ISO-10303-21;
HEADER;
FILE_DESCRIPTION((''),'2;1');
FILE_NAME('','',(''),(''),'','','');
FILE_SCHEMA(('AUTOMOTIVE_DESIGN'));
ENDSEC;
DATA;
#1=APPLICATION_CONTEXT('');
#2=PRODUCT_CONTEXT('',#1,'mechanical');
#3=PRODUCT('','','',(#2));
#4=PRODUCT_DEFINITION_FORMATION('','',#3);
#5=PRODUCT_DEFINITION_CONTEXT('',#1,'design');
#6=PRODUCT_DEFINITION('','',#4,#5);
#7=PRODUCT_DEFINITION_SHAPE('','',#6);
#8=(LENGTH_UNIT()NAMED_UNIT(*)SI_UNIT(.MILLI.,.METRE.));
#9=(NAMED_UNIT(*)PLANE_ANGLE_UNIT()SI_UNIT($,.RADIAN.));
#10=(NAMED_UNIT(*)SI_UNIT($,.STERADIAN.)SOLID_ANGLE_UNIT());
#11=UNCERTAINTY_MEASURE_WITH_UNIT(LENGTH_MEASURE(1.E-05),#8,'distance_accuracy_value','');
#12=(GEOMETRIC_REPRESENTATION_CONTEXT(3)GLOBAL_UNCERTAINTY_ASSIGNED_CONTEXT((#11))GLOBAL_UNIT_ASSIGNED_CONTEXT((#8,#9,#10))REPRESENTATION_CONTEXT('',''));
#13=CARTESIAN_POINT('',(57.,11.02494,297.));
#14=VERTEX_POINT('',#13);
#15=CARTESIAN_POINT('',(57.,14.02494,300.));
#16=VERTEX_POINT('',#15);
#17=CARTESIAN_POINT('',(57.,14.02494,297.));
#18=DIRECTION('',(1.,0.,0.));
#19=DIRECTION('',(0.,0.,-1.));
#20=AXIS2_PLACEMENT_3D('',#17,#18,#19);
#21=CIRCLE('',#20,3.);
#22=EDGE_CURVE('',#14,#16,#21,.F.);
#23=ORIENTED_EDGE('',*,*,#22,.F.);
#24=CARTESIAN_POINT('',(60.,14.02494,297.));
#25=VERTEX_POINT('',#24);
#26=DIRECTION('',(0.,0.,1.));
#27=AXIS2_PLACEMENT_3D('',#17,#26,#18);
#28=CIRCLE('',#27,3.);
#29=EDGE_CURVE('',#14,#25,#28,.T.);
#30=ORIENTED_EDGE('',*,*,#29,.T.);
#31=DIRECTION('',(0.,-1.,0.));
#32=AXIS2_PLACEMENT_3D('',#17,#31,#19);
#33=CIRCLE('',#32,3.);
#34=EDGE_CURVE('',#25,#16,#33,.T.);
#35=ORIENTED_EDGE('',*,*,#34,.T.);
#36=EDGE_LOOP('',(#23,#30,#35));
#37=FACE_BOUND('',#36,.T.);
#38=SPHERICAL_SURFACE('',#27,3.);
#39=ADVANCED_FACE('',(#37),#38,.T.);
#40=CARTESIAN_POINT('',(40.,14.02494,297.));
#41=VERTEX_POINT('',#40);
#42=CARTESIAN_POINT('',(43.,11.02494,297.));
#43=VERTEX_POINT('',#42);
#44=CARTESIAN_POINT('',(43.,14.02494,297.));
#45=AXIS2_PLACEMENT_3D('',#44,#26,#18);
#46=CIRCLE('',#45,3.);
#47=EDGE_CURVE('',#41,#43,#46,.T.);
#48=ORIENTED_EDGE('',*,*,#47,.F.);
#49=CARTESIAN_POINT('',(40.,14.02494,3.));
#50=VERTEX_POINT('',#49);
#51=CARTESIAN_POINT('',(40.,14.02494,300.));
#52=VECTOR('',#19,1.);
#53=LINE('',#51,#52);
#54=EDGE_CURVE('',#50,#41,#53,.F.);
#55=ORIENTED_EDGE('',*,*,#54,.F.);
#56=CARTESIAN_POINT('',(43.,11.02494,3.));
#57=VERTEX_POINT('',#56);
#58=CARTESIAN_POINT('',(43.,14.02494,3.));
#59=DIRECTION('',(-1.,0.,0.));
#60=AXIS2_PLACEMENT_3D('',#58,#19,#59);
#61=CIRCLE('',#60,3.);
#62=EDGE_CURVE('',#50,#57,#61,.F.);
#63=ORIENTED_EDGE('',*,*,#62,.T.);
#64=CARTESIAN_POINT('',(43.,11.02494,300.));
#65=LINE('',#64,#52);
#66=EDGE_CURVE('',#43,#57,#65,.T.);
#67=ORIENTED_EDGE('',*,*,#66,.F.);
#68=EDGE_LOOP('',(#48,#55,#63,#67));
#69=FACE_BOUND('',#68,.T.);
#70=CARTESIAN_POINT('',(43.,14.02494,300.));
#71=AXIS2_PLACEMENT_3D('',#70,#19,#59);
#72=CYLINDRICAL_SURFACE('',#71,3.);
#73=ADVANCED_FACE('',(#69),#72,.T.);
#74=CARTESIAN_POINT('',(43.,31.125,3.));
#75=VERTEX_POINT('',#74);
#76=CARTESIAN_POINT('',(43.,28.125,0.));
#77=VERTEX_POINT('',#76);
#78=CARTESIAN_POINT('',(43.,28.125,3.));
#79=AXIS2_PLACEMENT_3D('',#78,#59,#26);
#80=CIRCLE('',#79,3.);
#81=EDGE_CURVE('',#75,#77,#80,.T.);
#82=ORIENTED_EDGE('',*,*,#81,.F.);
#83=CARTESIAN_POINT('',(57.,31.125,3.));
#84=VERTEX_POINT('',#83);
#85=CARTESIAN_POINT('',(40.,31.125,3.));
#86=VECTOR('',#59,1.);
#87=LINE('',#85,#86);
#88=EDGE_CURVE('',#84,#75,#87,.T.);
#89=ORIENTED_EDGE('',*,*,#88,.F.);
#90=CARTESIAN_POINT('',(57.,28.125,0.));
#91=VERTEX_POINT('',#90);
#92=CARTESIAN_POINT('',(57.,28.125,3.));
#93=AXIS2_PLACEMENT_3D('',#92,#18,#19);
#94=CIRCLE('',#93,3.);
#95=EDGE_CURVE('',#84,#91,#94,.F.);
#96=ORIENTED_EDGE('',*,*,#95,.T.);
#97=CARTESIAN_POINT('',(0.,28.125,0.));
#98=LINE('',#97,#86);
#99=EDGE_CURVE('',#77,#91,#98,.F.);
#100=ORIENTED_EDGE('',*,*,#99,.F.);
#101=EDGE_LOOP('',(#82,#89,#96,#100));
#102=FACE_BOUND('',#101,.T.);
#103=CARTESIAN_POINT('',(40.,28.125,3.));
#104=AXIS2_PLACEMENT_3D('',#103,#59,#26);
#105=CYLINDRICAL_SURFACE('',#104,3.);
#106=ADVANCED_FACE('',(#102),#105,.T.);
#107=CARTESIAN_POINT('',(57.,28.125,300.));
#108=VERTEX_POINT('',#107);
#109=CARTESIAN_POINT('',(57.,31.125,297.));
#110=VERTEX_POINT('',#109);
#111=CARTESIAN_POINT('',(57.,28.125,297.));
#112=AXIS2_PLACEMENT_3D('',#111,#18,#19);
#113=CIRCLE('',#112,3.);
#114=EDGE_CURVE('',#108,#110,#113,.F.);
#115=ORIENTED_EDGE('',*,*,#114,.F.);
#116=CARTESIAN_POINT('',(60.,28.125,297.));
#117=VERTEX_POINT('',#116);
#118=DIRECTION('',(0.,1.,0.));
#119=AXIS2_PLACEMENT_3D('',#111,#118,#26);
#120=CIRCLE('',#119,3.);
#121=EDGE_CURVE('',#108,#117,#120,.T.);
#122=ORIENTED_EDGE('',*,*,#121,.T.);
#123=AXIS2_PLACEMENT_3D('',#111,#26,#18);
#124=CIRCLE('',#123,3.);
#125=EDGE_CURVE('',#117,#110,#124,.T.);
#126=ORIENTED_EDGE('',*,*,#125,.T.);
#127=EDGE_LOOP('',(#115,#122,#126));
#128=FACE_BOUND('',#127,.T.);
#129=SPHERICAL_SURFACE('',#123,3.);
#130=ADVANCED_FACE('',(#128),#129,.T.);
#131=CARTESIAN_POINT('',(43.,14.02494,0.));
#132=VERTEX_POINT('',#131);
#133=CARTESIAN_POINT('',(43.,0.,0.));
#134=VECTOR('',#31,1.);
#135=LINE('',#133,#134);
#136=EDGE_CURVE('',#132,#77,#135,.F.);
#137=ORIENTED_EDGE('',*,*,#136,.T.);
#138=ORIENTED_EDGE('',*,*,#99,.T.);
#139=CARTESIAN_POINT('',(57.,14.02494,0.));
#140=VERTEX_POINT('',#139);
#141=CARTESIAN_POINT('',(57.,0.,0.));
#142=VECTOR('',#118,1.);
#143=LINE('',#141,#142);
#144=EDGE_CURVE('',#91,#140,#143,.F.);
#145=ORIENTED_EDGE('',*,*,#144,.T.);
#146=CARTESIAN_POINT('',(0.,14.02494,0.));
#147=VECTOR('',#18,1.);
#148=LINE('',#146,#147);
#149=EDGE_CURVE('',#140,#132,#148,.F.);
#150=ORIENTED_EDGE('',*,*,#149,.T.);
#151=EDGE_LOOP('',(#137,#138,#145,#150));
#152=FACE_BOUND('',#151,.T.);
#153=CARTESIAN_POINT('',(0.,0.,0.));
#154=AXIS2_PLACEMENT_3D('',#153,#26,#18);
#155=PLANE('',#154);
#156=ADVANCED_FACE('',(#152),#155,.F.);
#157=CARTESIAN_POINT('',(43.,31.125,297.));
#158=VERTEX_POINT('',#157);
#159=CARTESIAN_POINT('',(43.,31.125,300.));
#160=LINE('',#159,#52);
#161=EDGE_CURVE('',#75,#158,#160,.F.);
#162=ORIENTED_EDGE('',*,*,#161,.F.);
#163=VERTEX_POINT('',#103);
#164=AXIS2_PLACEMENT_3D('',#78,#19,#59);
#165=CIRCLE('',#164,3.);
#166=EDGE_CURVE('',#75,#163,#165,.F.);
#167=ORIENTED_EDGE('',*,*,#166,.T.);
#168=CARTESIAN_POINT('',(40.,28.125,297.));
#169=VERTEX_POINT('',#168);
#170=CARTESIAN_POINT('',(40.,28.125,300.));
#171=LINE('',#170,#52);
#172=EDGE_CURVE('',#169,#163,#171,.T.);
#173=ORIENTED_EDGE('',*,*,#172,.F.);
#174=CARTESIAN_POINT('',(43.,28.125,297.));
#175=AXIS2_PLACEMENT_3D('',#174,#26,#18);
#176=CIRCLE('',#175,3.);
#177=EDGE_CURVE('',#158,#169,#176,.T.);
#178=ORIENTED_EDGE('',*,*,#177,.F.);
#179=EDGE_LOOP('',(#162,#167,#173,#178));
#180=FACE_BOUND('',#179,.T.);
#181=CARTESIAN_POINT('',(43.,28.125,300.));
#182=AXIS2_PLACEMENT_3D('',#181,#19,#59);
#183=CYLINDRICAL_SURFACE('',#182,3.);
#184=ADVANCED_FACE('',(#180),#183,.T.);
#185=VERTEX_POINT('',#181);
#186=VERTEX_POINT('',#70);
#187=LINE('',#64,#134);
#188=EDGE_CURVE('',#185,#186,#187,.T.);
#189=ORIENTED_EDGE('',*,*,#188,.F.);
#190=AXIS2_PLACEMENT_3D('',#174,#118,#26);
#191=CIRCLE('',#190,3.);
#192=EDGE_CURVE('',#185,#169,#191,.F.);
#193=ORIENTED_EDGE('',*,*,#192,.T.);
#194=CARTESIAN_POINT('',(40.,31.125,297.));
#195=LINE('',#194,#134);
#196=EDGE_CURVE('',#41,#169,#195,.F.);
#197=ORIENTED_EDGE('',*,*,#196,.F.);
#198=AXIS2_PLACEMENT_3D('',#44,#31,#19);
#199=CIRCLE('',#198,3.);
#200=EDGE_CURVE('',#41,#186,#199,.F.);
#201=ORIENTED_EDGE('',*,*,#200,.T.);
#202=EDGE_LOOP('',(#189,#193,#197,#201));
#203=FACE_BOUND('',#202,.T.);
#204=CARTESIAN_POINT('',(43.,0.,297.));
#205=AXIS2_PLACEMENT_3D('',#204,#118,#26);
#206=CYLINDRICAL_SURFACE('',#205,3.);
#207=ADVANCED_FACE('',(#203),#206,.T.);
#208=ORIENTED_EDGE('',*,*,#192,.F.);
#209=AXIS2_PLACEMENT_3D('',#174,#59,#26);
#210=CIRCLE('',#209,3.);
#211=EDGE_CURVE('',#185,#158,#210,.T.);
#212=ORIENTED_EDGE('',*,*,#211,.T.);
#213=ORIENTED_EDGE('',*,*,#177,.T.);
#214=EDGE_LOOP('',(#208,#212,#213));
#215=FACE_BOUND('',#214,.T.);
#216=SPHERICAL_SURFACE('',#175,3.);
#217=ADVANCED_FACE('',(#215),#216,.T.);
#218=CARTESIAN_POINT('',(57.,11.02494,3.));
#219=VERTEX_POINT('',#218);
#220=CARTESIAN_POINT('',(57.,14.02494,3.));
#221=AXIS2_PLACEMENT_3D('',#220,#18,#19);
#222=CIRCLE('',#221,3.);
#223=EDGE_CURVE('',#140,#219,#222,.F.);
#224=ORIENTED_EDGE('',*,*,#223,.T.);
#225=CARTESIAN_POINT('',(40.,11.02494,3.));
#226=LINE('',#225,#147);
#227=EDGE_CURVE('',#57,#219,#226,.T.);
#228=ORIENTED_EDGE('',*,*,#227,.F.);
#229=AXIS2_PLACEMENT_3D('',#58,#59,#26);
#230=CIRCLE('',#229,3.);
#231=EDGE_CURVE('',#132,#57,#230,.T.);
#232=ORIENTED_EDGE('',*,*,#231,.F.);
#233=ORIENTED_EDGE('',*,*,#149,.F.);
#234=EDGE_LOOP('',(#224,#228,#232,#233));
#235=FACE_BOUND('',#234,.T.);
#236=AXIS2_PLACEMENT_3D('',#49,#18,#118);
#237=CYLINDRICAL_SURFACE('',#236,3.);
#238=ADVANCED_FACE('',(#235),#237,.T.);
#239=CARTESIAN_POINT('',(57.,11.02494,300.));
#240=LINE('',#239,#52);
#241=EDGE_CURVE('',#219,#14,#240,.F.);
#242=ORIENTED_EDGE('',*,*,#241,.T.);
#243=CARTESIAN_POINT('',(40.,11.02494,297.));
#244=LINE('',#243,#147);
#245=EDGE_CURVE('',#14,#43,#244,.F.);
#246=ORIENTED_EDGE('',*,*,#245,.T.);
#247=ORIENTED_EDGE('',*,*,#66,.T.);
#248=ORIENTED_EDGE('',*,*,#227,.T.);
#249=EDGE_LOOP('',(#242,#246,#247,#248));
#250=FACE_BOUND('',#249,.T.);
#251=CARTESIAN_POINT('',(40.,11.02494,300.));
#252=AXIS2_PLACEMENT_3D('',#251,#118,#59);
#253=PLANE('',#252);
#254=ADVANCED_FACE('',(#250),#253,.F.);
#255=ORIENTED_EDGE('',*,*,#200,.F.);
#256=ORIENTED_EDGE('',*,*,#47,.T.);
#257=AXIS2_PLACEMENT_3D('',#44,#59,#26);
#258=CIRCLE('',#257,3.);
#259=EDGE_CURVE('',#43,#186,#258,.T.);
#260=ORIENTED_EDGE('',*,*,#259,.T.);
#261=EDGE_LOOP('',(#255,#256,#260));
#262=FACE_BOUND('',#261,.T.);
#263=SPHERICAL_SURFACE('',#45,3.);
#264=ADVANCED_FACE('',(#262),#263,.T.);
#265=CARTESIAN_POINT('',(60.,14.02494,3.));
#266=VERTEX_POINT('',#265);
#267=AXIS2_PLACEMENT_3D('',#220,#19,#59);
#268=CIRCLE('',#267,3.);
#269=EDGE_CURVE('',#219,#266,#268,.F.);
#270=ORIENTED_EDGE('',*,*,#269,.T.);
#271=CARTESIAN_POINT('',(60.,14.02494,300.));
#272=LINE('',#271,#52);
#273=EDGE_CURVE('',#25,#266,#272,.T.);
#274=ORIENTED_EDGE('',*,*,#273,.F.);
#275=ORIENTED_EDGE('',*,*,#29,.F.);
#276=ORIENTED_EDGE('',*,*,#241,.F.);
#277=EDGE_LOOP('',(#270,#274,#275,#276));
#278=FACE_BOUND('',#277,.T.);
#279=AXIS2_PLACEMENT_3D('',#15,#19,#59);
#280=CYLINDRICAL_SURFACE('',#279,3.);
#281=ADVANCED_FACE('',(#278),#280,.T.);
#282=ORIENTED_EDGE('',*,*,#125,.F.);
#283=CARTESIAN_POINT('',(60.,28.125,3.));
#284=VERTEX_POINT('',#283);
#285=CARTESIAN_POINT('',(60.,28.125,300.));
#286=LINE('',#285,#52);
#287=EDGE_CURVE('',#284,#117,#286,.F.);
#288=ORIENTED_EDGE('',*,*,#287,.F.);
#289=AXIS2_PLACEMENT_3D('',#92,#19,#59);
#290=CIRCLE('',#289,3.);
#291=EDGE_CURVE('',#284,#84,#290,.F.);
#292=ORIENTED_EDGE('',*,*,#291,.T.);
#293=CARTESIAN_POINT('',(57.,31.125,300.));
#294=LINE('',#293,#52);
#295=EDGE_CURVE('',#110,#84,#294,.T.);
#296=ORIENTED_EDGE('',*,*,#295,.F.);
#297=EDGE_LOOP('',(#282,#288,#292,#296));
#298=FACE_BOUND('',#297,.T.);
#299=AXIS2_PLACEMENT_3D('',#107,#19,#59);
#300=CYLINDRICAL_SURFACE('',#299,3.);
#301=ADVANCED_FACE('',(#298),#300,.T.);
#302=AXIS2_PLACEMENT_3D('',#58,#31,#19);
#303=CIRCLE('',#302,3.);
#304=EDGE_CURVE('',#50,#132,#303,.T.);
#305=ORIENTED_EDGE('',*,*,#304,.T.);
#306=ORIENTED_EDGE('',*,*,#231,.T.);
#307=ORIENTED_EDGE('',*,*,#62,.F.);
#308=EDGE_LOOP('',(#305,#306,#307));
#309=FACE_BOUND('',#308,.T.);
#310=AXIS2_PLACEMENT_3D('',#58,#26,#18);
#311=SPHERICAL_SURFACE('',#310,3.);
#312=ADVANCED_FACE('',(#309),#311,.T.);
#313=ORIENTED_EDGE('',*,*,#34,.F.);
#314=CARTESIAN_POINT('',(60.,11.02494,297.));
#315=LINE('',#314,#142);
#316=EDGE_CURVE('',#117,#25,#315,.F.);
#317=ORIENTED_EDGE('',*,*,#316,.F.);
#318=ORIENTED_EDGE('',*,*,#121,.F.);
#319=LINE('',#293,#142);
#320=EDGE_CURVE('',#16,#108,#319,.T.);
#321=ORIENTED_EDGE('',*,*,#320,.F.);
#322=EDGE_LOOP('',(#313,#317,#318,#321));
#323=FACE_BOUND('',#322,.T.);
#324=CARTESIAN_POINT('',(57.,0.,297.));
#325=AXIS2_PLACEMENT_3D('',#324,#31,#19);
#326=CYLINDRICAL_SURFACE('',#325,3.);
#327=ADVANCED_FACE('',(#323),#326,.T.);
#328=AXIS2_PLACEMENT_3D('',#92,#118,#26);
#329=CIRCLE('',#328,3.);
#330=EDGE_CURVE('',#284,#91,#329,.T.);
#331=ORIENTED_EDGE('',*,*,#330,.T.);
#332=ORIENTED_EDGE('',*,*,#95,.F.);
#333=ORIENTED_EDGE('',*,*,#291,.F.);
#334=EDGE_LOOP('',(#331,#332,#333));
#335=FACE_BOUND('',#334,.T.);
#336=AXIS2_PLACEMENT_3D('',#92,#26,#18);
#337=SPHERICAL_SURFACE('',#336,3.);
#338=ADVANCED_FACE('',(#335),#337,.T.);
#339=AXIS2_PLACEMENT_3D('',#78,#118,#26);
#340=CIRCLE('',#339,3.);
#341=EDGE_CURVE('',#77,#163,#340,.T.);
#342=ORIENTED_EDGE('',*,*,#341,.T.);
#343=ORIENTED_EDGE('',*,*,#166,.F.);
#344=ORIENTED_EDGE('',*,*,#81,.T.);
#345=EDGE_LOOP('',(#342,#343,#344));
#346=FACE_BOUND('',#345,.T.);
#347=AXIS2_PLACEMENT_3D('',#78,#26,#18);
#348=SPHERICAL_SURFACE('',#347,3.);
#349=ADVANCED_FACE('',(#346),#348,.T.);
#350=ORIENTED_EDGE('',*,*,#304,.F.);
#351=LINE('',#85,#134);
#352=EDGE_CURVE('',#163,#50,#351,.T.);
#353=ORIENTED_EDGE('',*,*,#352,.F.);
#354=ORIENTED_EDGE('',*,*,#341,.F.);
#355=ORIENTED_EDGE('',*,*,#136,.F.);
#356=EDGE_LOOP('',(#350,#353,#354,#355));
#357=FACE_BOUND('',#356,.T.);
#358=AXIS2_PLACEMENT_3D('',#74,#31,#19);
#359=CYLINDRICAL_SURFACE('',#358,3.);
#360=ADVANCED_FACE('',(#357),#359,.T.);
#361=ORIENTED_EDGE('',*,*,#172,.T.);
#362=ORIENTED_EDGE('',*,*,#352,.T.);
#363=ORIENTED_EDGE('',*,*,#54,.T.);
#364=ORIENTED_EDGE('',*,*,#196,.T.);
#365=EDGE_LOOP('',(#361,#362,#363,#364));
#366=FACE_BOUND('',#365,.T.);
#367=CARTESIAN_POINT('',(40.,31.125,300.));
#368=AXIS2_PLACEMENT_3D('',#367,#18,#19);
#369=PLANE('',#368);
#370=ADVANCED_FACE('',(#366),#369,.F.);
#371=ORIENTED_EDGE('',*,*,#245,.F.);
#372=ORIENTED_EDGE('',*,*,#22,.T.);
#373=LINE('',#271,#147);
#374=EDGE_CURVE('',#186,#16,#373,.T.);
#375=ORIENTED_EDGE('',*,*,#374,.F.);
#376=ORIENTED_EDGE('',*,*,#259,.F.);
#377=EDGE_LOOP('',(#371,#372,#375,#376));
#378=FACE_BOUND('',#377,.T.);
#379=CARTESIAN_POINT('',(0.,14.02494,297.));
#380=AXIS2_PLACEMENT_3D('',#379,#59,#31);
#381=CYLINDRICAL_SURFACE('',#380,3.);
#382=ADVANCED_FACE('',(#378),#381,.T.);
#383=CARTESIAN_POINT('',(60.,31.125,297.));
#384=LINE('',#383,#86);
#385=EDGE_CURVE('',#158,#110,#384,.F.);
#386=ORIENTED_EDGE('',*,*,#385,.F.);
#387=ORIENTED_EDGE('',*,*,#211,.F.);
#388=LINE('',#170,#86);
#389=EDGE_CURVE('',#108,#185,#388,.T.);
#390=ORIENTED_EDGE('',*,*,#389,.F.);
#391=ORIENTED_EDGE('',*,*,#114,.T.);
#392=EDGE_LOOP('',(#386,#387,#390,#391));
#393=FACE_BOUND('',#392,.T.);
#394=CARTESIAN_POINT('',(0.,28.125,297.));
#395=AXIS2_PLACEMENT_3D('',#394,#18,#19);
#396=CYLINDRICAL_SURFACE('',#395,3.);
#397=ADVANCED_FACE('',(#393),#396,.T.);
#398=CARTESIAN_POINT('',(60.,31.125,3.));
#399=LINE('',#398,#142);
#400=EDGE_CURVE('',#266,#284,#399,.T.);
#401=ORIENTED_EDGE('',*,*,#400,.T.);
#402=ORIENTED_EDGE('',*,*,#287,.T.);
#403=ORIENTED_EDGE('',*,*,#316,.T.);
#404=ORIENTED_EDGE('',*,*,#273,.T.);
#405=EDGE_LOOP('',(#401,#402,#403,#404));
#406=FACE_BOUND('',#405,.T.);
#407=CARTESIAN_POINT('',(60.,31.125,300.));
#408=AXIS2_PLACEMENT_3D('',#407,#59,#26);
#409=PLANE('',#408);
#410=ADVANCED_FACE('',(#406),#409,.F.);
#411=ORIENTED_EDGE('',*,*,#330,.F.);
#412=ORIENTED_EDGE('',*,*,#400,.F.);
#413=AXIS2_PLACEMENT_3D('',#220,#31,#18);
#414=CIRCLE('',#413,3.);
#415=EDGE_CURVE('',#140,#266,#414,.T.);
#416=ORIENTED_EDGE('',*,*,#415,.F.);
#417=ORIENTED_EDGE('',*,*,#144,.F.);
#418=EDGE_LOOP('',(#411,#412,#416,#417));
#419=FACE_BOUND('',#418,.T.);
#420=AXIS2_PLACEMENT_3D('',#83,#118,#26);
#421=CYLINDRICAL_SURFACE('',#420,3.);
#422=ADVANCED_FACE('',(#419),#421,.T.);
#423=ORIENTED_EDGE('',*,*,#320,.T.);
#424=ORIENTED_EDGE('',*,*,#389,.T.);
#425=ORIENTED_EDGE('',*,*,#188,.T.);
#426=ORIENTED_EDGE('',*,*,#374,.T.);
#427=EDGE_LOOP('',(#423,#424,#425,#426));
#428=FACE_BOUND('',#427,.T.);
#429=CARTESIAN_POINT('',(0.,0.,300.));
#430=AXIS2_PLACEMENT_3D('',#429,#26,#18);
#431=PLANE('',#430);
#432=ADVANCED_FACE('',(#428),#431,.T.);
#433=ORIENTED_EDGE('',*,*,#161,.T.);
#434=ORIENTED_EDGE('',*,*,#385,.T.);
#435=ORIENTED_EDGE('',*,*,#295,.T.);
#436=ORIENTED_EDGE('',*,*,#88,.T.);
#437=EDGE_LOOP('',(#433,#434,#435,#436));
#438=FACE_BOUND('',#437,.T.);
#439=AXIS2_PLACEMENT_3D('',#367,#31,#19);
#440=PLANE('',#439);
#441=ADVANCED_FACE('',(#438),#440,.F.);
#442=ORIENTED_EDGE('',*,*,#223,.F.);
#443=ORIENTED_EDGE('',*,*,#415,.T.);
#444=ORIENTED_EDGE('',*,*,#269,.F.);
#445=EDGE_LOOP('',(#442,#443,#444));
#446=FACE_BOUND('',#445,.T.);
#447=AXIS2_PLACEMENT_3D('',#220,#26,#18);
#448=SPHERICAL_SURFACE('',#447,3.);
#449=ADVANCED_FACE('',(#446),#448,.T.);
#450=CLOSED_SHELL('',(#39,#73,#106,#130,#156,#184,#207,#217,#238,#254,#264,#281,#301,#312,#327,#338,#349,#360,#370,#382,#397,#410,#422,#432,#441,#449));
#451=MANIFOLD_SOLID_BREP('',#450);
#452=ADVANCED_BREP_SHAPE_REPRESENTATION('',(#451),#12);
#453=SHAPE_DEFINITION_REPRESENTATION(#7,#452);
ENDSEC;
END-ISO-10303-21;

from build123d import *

# Parameters (mm, degrees)
SKETCH_1_W      = 20
SKETCH_1_H      = 20.100059678
EXTRUDE_1_DEPTH = 300
FILLET_1_R      = 3


with BuildPart() as part:
    # 草图1 → 凸台-拉伸1 (new body)
    with BuildSketch(Plane.XY):
        with Locations((50, 21.074970161)):
            Rectangle(SKETCH_1_W, SKETCH_1_H)
    extrude(amount=EXTRUDE_1_DEPTH)

    # 圆角1
    fillet_1_edges = [part.edges().sort_by_distance(p)[0] for p in [
        (60, 21.074970161, 300),
        (50, 31.125, 300),
        (40, 21.074970161, 300),
        (50, 31.125, 0),
        (60, 21.074970161, 0),
        (50, 11.024940322, 0),
        (40, 21.074970161, 0),
        (50, 11.024940322, 300),
        (40, 31.125, 150),
        (60, 31.125, 150),
        (60, 11.024940322, 150),
        (40, 11.024940322, 150),
    ]]
    fillet(fillet_1_edges, radius=FILLET_1_R)


solid = part.part
